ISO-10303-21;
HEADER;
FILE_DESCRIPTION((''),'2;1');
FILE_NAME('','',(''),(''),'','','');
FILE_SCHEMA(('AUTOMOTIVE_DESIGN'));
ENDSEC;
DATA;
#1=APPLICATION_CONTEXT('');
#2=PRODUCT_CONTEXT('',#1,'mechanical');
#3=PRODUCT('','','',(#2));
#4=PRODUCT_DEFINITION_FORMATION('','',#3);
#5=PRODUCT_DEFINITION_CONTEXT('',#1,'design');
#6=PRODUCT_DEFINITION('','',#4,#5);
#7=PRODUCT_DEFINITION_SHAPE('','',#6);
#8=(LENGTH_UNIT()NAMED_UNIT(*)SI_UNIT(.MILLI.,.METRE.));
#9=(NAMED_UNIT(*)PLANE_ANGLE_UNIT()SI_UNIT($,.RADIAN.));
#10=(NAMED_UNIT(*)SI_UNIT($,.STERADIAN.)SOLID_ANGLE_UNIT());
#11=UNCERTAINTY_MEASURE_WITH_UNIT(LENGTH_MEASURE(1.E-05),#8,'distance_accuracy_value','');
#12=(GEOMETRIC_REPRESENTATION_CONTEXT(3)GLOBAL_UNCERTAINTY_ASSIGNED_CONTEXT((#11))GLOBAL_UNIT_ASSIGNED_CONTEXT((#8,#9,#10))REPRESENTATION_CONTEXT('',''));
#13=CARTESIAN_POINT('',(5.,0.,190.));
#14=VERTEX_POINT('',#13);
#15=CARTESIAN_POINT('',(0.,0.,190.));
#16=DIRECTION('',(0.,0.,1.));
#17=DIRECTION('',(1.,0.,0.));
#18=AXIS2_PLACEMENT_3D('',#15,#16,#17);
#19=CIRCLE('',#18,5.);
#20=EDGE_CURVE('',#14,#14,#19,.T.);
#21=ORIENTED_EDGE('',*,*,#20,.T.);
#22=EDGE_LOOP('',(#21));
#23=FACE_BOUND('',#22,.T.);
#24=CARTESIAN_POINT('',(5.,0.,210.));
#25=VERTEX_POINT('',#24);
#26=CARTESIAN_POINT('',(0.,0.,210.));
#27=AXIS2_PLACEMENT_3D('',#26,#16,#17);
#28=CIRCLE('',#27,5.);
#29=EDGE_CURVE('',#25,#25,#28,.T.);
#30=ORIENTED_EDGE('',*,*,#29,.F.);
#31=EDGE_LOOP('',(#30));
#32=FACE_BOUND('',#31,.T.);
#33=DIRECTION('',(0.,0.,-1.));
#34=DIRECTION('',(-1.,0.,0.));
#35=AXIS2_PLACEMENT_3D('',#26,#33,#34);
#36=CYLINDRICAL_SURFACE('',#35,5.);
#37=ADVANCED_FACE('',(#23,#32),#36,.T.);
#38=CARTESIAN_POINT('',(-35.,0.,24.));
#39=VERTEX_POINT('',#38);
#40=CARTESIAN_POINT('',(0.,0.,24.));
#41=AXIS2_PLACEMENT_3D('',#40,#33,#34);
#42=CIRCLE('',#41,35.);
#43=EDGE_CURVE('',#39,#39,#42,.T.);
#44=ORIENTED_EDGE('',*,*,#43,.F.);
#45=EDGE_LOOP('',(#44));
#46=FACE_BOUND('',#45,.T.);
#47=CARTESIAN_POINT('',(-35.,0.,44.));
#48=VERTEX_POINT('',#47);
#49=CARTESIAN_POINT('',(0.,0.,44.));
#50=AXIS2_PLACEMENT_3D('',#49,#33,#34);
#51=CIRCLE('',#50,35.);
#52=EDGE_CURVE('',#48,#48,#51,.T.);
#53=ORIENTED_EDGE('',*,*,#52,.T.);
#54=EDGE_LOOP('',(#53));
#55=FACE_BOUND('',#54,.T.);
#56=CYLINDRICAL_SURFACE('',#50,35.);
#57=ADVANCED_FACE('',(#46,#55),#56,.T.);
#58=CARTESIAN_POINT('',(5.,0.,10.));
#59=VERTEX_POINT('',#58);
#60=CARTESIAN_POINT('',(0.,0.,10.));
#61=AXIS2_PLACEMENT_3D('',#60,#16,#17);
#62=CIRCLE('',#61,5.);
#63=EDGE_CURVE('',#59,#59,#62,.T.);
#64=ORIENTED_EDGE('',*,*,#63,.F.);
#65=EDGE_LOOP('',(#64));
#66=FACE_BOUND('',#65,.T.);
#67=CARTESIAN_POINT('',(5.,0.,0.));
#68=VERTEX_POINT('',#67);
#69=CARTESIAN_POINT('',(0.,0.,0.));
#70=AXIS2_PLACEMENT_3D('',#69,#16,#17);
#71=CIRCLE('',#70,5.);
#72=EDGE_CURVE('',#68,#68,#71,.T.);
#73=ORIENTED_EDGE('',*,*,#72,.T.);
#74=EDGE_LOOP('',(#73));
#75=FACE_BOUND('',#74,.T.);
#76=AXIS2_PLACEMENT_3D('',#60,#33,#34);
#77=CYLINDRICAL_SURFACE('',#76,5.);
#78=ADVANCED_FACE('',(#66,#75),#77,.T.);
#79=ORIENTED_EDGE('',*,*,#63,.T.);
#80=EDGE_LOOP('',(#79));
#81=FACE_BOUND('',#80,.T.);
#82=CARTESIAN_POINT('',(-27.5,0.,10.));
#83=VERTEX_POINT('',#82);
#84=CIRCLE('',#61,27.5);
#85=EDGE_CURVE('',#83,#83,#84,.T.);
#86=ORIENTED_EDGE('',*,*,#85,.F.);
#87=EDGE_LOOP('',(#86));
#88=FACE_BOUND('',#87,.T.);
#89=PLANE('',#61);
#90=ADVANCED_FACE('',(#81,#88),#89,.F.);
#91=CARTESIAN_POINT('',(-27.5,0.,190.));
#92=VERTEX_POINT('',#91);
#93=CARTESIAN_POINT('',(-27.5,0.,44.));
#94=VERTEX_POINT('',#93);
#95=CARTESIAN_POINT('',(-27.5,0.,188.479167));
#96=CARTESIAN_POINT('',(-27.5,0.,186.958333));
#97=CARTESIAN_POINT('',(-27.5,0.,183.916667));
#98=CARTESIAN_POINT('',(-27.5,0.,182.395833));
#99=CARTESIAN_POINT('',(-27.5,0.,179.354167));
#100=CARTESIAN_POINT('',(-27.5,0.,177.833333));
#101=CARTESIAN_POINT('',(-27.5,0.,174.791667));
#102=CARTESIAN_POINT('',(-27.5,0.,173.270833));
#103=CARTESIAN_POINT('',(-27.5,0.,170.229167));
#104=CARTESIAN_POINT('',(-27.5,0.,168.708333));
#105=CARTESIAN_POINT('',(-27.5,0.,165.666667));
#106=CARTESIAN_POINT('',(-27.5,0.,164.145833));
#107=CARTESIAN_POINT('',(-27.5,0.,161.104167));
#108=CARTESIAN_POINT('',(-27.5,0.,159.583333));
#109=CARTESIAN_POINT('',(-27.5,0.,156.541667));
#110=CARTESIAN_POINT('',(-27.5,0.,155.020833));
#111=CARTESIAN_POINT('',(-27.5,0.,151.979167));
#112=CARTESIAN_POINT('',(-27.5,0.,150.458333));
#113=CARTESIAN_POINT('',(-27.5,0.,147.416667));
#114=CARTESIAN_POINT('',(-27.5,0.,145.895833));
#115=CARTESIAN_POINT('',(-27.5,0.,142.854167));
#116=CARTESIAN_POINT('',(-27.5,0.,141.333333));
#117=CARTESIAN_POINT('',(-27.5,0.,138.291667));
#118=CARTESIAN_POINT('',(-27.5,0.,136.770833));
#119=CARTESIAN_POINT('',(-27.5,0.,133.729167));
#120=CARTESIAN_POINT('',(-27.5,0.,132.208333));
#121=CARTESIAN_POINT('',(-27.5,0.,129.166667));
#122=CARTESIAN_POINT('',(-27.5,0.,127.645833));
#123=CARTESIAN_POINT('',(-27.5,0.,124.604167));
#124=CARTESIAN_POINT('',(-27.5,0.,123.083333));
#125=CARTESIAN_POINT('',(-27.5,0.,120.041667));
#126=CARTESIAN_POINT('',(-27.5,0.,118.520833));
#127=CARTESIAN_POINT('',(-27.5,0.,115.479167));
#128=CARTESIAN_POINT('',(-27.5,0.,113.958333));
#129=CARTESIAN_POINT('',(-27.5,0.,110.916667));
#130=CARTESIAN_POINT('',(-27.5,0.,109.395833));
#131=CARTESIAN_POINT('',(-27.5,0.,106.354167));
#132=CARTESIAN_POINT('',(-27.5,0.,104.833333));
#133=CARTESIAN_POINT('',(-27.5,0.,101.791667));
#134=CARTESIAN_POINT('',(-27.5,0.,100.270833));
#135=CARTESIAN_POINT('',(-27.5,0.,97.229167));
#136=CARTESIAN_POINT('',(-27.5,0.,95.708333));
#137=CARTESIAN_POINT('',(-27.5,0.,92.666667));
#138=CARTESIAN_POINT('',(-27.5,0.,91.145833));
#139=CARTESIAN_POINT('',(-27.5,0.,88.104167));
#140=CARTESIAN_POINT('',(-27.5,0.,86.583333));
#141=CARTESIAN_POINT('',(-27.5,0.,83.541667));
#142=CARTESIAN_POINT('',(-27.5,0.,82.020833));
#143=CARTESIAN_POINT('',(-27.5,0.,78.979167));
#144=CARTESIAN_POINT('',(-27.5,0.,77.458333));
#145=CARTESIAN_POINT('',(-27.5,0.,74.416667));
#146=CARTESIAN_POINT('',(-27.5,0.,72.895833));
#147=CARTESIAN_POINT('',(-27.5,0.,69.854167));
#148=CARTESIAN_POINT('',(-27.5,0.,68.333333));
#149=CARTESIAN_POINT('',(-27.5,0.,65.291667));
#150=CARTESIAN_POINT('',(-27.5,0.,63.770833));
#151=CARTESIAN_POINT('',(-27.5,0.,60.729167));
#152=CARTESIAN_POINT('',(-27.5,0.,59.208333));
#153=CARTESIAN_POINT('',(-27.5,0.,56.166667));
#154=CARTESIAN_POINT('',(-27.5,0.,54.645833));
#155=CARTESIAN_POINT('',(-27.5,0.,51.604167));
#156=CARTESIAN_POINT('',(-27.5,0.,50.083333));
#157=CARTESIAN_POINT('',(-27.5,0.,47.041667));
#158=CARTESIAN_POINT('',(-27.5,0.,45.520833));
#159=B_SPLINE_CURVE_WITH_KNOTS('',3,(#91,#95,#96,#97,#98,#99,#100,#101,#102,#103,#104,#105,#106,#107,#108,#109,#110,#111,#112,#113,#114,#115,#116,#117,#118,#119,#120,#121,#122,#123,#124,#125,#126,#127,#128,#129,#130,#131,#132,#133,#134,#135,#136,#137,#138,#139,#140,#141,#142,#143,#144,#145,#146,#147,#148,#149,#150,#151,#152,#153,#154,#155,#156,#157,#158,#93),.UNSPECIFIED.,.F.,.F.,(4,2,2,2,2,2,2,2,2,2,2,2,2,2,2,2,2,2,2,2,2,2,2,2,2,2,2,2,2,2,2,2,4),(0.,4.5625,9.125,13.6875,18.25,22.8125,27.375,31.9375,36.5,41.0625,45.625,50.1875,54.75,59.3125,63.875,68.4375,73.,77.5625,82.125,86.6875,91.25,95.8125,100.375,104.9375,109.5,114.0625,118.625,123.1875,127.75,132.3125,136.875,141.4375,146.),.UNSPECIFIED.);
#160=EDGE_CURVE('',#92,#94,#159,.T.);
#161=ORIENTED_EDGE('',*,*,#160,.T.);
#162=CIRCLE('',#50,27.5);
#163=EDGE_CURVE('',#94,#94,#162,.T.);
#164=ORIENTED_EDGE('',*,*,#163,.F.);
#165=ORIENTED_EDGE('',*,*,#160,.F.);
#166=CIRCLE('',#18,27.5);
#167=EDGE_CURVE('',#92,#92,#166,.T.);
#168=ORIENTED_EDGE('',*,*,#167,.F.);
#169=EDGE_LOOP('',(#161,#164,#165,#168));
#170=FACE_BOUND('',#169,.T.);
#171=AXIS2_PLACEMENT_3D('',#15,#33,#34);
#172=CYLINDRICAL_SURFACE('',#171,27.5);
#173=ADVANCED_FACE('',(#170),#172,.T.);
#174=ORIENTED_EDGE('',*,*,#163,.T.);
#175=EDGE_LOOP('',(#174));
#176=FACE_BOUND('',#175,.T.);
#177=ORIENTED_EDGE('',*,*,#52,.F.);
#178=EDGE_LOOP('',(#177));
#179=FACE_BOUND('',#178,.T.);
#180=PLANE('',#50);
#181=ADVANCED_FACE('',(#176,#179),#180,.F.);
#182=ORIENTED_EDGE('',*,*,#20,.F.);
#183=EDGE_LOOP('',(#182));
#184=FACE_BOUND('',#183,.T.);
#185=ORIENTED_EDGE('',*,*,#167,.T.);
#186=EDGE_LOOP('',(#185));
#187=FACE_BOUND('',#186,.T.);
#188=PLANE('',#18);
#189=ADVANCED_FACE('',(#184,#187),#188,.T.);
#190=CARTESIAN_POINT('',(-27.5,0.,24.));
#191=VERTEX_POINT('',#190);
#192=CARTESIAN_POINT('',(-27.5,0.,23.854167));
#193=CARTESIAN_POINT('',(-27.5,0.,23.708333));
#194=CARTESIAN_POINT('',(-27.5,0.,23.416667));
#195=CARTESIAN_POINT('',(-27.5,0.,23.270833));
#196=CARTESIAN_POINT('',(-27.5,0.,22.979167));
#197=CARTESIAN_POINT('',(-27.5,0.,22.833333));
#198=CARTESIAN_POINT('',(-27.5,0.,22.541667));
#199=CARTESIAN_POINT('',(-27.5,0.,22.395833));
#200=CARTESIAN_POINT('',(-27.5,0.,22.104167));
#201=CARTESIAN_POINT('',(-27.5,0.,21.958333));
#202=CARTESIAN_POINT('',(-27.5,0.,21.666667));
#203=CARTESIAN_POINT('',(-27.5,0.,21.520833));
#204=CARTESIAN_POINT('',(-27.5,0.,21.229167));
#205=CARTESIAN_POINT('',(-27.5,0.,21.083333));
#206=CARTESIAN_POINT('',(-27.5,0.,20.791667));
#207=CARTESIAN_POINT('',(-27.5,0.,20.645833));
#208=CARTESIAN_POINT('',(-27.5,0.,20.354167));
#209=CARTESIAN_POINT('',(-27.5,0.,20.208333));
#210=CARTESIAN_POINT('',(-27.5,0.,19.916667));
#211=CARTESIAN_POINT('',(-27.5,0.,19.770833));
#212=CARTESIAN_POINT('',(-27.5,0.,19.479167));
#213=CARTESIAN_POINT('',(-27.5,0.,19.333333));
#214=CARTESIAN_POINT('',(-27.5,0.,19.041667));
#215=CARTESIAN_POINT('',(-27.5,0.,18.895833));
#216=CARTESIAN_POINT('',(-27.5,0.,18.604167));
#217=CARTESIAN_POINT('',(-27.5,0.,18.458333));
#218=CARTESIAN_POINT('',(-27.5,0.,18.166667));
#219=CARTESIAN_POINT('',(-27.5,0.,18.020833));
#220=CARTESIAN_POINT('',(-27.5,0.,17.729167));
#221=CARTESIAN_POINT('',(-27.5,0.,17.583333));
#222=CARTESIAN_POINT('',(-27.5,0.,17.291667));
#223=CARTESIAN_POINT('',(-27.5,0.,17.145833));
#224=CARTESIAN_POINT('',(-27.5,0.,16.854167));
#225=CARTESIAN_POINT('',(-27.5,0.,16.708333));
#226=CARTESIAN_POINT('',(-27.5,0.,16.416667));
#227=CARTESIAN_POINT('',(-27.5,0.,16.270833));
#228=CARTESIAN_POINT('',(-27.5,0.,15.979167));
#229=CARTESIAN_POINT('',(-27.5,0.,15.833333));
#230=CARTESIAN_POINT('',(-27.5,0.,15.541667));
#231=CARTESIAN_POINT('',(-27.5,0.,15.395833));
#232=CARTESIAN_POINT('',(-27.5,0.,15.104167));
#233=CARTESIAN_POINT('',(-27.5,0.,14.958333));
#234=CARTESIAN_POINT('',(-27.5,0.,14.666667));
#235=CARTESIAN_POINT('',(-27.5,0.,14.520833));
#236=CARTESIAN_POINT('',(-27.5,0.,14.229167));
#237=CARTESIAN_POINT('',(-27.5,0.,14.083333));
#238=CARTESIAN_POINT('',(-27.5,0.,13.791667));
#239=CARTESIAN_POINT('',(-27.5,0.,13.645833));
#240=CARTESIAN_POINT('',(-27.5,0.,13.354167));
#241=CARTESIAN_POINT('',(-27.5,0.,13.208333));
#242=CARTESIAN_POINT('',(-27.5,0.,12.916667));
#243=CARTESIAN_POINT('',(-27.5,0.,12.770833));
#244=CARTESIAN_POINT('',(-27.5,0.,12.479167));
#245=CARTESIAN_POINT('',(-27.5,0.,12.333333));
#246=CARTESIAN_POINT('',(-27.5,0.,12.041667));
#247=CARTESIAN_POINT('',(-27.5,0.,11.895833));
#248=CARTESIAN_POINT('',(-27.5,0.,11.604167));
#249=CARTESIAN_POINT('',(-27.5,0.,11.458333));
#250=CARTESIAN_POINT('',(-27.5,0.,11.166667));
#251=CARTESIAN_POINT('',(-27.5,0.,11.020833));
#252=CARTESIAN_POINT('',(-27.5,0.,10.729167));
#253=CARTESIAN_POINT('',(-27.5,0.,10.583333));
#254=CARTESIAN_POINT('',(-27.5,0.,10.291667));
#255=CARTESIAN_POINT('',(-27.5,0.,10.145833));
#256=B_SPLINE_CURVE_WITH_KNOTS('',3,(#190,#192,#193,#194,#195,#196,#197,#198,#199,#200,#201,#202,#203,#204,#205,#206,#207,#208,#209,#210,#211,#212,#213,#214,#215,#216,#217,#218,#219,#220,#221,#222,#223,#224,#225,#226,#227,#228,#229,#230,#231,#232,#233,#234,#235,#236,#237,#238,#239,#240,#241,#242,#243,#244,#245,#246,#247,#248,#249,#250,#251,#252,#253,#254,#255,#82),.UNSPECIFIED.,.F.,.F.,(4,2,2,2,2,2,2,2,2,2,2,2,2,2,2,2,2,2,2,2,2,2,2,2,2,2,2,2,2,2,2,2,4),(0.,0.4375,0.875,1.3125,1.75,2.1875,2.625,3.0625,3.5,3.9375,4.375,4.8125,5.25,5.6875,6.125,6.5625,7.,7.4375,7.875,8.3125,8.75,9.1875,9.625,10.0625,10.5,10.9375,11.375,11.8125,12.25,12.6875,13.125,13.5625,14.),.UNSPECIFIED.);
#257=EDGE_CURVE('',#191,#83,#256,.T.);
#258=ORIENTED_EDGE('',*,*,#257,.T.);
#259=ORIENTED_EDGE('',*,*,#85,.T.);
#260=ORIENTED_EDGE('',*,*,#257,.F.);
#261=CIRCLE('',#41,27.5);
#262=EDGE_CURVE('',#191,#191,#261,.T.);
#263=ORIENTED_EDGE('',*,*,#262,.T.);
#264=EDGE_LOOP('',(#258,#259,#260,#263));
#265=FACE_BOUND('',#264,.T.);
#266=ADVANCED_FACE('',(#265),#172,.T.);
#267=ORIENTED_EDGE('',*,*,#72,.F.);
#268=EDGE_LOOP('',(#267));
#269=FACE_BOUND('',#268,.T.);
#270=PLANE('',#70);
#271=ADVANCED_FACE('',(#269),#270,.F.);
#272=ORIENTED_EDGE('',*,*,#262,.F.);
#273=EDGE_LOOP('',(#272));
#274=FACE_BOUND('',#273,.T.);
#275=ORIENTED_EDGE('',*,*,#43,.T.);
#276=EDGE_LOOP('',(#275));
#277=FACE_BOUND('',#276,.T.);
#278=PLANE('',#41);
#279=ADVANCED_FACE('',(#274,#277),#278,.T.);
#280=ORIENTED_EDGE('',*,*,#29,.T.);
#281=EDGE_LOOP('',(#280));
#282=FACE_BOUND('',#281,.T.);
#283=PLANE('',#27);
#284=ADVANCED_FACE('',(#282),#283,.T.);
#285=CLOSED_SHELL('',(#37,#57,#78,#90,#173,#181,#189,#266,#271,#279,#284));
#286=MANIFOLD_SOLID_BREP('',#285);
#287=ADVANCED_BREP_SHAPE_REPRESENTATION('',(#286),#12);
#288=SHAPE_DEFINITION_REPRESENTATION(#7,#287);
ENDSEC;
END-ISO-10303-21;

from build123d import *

# Parameters (mm, degrees)
SKETCH1_R                = 5
BOSS_EXTRUDE1_DEPTH      = 10
SKETCH2_R                = 27.5
BOSS_EXTRUDE2_DEPTH      = 180
BOSS_EXTRUDE3_DEPTH      = 10
BOSS_EXTRUDE3_DEPTH_BACK = 10
SKETCH3_R                = 35
SKETCH5_R                = 5
BOSS_EXTRUDE4_DEPTH      = 20


with BuildPart() as part:
    # Sketch1 → Boss-Extrude1 (new body)
    with BuildSketch(Plane.XY):
        Circle(SKETCH1_R)
    extrude(amount=BOSS_EXTRUDE1_DEPTH)

    # Sketch2 → Boss-Extrude2 (add)
    with BuildSketch(Plane.XY.offset(10)):
        with Locations(Location((0, 0, 0), (0, 0, 180))):
            Circle(SKETCH2_R)
    extrude(amount=BOSS_EXTRUDE2_DEPTH)

    # Sketch3 → Boss-Extrude3 (add, two sides: drawn at the far end of the back side and taken through both)
    with BuildSketch(Plane(origin=(0, 0, 34), x_dir=(-1, 0, 0), z_dir=(0, 0, -1)).offset(-BOSS_EXTRUDE3_DEPTH_BACK)):
        Circle(SKETCH3_R)
    extrude(amount=BOSS_EXTRUDE3_DEPTH + BOSS_EXTRUDE3_DEPTH_BACK)

    # Sketch5 → Boss-Extrude4 (add)
    with BuildSketch(Plane.XY.offset(190)):
        Circle(SKETCH5_R)
    extrude(amount=BOSS_EXTRUDE4_DEPTH)


solid = part.part
